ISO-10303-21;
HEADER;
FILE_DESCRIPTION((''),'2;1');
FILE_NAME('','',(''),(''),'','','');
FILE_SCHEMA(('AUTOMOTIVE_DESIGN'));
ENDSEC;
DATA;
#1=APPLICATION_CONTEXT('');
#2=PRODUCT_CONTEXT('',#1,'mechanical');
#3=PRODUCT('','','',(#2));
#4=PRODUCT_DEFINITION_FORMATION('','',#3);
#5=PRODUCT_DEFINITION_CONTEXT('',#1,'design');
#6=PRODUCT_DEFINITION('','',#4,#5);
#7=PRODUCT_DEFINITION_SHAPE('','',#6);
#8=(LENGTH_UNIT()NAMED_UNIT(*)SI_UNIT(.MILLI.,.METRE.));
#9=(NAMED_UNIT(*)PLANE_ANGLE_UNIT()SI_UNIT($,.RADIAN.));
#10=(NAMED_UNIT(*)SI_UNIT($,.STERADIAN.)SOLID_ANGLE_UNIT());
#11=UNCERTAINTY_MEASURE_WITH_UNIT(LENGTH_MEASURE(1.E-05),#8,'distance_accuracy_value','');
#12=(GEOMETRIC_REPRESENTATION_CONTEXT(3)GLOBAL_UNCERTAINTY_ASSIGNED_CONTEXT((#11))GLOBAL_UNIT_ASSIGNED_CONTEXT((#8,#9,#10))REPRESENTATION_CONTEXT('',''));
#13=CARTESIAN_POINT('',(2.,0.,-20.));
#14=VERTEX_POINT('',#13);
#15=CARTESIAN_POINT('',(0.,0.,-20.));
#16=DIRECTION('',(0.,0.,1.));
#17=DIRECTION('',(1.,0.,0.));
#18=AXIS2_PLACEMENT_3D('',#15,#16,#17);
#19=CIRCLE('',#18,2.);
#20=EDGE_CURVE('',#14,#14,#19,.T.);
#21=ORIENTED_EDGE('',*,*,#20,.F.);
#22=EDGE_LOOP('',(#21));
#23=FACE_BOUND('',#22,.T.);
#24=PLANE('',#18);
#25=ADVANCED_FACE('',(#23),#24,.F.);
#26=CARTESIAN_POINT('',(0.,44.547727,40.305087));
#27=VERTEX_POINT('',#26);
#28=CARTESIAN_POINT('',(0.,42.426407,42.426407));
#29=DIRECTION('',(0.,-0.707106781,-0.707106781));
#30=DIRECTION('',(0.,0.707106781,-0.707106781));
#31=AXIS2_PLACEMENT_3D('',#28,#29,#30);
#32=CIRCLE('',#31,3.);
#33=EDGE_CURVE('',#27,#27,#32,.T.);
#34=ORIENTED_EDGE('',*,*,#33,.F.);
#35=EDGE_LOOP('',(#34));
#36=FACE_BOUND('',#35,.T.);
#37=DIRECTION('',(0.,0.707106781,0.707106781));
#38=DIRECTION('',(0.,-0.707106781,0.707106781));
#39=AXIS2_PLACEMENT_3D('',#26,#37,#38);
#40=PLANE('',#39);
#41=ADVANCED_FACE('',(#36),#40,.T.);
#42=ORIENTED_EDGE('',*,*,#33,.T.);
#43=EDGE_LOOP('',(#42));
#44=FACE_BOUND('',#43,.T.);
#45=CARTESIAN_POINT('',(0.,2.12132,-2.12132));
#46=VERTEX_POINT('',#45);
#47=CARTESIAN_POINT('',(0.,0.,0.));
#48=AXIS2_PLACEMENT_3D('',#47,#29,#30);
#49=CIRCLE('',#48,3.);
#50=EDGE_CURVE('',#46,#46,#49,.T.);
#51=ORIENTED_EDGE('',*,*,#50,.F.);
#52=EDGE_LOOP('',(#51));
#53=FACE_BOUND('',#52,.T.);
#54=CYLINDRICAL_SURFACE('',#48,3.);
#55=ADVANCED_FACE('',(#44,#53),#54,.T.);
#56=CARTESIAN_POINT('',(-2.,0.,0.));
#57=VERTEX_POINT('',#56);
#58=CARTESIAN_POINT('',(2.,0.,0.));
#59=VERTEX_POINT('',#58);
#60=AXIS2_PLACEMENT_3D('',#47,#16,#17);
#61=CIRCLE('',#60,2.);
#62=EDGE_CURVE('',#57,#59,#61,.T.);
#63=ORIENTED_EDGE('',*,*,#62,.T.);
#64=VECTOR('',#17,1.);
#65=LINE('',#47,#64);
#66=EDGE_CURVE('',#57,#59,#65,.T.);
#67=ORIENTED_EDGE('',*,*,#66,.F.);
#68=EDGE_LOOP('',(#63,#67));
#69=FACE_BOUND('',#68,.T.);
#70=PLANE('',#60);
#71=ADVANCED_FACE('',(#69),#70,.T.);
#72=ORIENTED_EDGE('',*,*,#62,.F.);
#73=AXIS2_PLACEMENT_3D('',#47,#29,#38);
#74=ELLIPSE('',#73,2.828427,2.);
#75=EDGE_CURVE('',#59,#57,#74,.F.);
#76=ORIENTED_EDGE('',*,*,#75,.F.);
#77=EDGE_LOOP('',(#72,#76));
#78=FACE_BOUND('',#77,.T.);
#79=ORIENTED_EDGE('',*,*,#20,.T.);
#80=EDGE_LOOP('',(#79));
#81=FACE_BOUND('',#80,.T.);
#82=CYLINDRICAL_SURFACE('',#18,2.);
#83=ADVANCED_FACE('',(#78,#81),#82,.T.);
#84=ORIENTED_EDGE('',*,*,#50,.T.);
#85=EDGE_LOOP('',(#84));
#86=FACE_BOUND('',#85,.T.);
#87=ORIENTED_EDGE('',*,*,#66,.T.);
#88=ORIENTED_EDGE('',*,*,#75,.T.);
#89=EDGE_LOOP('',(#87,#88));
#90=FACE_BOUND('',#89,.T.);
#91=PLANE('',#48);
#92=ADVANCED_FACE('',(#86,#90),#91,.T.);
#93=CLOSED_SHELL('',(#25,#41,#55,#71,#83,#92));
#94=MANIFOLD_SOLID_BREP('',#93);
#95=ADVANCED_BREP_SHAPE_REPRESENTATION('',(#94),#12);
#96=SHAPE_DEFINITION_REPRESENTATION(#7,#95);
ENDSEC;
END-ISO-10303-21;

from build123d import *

# Parameters (mm, degrees)
SKETCH1_R           = 2
BOSS_EXTRUDE1_DEPTH = 20


with BuildPart() as part:
    # Sketch1 → Boss-Extrude1 (new body)
    with BuildSketch(Plane.XY):
        Circle(SKETCH1_R)
    extrude(amount=-BOSS_EXTRUDE1_DEPTH)

    # Sketch4 → Revolve1 (revolve)
    with BuildSketch(Plane(origin=(0, 0, 0), x_dir=(0, 0, -1), z_dir=(1, 0, 0))):
        Polygon((0, 0), (2.121320344, 2.121320344), (-40.305086528, 44.547727215), (-42.426406871, 42.426406871), align=None)
    revolve(axis=Axis((0, 0, 0), (0, 0.7071067811865488, 0.7071067811865464)))


solid = part.part
